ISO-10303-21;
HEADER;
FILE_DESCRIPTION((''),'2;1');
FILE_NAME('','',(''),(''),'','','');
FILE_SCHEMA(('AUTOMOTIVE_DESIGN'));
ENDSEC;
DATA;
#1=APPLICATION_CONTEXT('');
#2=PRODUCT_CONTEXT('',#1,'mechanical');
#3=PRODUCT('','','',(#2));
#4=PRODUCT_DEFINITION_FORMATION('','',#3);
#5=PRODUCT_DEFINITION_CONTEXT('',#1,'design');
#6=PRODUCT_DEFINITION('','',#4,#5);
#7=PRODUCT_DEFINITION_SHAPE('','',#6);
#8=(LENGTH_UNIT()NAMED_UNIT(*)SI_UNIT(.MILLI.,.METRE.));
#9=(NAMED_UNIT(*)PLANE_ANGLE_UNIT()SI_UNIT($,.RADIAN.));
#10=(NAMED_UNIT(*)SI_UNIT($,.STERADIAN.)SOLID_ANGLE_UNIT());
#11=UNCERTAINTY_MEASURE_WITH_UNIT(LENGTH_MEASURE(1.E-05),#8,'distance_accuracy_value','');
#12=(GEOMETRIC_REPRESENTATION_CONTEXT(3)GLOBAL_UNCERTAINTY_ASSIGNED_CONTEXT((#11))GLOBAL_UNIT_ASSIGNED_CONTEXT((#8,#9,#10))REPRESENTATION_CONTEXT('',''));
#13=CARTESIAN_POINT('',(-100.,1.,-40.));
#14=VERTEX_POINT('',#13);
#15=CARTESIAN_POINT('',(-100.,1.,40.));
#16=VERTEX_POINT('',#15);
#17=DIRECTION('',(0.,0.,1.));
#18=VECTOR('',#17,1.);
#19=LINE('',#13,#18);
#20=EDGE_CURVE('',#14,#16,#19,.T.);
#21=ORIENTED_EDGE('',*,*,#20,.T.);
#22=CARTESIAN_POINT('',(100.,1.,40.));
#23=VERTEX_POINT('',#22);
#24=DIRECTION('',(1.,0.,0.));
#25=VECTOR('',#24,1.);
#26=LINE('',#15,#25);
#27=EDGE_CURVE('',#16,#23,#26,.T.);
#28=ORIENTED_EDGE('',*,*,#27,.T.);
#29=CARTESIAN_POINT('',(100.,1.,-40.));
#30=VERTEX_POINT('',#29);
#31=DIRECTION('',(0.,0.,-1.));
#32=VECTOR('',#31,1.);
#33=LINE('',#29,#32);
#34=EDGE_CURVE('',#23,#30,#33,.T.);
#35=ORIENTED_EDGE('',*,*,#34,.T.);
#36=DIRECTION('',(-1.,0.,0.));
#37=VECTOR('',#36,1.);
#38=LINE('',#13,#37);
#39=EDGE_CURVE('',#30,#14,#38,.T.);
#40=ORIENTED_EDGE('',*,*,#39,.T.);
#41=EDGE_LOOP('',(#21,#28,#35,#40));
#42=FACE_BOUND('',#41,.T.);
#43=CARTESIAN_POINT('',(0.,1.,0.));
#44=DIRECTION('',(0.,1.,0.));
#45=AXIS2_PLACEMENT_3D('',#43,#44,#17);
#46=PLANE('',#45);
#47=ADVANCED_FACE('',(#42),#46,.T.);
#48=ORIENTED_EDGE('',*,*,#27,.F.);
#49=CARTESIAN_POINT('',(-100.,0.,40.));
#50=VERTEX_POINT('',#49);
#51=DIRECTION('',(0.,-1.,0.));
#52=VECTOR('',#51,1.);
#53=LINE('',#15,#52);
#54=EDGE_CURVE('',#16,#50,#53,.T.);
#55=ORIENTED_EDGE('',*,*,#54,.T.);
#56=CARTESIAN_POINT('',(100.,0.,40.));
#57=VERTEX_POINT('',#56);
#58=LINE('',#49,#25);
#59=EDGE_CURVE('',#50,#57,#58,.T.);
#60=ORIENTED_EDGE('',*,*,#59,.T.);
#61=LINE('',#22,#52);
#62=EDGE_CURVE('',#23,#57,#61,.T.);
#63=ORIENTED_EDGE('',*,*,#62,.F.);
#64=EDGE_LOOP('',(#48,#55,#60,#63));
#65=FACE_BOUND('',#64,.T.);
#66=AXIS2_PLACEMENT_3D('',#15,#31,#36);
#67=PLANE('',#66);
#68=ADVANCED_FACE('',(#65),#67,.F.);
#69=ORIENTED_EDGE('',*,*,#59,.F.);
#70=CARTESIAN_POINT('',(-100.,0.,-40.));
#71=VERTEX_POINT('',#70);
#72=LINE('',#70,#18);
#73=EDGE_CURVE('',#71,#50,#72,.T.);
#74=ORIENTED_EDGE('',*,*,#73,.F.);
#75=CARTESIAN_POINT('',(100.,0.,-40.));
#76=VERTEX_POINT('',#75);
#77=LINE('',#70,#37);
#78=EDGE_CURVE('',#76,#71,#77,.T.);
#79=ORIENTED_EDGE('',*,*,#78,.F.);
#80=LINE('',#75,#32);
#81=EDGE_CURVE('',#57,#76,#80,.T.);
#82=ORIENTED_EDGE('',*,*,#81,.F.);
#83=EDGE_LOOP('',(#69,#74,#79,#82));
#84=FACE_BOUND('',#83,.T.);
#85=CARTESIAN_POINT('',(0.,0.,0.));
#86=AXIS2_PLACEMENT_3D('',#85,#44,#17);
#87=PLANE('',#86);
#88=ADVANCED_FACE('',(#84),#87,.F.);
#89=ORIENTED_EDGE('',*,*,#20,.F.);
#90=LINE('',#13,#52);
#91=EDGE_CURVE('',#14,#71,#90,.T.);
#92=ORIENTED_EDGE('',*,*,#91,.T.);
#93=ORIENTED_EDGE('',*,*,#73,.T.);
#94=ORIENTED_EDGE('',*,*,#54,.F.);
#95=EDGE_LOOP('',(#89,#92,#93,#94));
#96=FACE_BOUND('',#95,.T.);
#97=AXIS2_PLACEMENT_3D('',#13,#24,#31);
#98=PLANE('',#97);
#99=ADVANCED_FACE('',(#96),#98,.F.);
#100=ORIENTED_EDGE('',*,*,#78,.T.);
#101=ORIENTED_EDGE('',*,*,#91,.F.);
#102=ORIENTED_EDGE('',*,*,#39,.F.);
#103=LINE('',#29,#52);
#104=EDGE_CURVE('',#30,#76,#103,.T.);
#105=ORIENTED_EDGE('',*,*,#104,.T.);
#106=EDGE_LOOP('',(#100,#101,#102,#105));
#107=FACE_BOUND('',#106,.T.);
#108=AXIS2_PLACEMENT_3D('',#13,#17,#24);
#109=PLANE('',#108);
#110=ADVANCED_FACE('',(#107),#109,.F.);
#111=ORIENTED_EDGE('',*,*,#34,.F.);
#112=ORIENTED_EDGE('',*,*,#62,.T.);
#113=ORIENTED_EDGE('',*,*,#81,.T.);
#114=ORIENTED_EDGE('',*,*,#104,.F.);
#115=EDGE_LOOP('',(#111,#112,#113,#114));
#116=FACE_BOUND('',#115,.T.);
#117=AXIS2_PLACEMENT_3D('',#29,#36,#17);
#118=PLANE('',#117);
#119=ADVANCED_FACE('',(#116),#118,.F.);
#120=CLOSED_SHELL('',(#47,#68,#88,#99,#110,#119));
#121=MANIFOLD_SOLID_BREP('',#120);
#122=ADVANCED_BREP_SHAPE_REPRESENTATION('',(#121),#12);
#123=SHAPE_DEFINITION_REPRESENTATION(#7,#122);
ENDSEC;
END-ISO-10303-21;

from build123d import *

# Parameters (mm, degrees)
SKETCH_1_W      = 200
SKETCH_1_H      = 80
EXTRUDE_1_DEPTH = 1


with BuildPart() as part:
    # 草图1 → 凸台-拉伸1 (new body)
    with BuildSketch(Plane(origin=(0, 0, 0), x_dir=(1, 0, 0), z_dir=(0, 1, 0))):
        Rectangle(SKETCH_1_W, SKETCH_1_H)
    extrude(amount=EXTRUDE_1_DEPTH)


solid = part.part
